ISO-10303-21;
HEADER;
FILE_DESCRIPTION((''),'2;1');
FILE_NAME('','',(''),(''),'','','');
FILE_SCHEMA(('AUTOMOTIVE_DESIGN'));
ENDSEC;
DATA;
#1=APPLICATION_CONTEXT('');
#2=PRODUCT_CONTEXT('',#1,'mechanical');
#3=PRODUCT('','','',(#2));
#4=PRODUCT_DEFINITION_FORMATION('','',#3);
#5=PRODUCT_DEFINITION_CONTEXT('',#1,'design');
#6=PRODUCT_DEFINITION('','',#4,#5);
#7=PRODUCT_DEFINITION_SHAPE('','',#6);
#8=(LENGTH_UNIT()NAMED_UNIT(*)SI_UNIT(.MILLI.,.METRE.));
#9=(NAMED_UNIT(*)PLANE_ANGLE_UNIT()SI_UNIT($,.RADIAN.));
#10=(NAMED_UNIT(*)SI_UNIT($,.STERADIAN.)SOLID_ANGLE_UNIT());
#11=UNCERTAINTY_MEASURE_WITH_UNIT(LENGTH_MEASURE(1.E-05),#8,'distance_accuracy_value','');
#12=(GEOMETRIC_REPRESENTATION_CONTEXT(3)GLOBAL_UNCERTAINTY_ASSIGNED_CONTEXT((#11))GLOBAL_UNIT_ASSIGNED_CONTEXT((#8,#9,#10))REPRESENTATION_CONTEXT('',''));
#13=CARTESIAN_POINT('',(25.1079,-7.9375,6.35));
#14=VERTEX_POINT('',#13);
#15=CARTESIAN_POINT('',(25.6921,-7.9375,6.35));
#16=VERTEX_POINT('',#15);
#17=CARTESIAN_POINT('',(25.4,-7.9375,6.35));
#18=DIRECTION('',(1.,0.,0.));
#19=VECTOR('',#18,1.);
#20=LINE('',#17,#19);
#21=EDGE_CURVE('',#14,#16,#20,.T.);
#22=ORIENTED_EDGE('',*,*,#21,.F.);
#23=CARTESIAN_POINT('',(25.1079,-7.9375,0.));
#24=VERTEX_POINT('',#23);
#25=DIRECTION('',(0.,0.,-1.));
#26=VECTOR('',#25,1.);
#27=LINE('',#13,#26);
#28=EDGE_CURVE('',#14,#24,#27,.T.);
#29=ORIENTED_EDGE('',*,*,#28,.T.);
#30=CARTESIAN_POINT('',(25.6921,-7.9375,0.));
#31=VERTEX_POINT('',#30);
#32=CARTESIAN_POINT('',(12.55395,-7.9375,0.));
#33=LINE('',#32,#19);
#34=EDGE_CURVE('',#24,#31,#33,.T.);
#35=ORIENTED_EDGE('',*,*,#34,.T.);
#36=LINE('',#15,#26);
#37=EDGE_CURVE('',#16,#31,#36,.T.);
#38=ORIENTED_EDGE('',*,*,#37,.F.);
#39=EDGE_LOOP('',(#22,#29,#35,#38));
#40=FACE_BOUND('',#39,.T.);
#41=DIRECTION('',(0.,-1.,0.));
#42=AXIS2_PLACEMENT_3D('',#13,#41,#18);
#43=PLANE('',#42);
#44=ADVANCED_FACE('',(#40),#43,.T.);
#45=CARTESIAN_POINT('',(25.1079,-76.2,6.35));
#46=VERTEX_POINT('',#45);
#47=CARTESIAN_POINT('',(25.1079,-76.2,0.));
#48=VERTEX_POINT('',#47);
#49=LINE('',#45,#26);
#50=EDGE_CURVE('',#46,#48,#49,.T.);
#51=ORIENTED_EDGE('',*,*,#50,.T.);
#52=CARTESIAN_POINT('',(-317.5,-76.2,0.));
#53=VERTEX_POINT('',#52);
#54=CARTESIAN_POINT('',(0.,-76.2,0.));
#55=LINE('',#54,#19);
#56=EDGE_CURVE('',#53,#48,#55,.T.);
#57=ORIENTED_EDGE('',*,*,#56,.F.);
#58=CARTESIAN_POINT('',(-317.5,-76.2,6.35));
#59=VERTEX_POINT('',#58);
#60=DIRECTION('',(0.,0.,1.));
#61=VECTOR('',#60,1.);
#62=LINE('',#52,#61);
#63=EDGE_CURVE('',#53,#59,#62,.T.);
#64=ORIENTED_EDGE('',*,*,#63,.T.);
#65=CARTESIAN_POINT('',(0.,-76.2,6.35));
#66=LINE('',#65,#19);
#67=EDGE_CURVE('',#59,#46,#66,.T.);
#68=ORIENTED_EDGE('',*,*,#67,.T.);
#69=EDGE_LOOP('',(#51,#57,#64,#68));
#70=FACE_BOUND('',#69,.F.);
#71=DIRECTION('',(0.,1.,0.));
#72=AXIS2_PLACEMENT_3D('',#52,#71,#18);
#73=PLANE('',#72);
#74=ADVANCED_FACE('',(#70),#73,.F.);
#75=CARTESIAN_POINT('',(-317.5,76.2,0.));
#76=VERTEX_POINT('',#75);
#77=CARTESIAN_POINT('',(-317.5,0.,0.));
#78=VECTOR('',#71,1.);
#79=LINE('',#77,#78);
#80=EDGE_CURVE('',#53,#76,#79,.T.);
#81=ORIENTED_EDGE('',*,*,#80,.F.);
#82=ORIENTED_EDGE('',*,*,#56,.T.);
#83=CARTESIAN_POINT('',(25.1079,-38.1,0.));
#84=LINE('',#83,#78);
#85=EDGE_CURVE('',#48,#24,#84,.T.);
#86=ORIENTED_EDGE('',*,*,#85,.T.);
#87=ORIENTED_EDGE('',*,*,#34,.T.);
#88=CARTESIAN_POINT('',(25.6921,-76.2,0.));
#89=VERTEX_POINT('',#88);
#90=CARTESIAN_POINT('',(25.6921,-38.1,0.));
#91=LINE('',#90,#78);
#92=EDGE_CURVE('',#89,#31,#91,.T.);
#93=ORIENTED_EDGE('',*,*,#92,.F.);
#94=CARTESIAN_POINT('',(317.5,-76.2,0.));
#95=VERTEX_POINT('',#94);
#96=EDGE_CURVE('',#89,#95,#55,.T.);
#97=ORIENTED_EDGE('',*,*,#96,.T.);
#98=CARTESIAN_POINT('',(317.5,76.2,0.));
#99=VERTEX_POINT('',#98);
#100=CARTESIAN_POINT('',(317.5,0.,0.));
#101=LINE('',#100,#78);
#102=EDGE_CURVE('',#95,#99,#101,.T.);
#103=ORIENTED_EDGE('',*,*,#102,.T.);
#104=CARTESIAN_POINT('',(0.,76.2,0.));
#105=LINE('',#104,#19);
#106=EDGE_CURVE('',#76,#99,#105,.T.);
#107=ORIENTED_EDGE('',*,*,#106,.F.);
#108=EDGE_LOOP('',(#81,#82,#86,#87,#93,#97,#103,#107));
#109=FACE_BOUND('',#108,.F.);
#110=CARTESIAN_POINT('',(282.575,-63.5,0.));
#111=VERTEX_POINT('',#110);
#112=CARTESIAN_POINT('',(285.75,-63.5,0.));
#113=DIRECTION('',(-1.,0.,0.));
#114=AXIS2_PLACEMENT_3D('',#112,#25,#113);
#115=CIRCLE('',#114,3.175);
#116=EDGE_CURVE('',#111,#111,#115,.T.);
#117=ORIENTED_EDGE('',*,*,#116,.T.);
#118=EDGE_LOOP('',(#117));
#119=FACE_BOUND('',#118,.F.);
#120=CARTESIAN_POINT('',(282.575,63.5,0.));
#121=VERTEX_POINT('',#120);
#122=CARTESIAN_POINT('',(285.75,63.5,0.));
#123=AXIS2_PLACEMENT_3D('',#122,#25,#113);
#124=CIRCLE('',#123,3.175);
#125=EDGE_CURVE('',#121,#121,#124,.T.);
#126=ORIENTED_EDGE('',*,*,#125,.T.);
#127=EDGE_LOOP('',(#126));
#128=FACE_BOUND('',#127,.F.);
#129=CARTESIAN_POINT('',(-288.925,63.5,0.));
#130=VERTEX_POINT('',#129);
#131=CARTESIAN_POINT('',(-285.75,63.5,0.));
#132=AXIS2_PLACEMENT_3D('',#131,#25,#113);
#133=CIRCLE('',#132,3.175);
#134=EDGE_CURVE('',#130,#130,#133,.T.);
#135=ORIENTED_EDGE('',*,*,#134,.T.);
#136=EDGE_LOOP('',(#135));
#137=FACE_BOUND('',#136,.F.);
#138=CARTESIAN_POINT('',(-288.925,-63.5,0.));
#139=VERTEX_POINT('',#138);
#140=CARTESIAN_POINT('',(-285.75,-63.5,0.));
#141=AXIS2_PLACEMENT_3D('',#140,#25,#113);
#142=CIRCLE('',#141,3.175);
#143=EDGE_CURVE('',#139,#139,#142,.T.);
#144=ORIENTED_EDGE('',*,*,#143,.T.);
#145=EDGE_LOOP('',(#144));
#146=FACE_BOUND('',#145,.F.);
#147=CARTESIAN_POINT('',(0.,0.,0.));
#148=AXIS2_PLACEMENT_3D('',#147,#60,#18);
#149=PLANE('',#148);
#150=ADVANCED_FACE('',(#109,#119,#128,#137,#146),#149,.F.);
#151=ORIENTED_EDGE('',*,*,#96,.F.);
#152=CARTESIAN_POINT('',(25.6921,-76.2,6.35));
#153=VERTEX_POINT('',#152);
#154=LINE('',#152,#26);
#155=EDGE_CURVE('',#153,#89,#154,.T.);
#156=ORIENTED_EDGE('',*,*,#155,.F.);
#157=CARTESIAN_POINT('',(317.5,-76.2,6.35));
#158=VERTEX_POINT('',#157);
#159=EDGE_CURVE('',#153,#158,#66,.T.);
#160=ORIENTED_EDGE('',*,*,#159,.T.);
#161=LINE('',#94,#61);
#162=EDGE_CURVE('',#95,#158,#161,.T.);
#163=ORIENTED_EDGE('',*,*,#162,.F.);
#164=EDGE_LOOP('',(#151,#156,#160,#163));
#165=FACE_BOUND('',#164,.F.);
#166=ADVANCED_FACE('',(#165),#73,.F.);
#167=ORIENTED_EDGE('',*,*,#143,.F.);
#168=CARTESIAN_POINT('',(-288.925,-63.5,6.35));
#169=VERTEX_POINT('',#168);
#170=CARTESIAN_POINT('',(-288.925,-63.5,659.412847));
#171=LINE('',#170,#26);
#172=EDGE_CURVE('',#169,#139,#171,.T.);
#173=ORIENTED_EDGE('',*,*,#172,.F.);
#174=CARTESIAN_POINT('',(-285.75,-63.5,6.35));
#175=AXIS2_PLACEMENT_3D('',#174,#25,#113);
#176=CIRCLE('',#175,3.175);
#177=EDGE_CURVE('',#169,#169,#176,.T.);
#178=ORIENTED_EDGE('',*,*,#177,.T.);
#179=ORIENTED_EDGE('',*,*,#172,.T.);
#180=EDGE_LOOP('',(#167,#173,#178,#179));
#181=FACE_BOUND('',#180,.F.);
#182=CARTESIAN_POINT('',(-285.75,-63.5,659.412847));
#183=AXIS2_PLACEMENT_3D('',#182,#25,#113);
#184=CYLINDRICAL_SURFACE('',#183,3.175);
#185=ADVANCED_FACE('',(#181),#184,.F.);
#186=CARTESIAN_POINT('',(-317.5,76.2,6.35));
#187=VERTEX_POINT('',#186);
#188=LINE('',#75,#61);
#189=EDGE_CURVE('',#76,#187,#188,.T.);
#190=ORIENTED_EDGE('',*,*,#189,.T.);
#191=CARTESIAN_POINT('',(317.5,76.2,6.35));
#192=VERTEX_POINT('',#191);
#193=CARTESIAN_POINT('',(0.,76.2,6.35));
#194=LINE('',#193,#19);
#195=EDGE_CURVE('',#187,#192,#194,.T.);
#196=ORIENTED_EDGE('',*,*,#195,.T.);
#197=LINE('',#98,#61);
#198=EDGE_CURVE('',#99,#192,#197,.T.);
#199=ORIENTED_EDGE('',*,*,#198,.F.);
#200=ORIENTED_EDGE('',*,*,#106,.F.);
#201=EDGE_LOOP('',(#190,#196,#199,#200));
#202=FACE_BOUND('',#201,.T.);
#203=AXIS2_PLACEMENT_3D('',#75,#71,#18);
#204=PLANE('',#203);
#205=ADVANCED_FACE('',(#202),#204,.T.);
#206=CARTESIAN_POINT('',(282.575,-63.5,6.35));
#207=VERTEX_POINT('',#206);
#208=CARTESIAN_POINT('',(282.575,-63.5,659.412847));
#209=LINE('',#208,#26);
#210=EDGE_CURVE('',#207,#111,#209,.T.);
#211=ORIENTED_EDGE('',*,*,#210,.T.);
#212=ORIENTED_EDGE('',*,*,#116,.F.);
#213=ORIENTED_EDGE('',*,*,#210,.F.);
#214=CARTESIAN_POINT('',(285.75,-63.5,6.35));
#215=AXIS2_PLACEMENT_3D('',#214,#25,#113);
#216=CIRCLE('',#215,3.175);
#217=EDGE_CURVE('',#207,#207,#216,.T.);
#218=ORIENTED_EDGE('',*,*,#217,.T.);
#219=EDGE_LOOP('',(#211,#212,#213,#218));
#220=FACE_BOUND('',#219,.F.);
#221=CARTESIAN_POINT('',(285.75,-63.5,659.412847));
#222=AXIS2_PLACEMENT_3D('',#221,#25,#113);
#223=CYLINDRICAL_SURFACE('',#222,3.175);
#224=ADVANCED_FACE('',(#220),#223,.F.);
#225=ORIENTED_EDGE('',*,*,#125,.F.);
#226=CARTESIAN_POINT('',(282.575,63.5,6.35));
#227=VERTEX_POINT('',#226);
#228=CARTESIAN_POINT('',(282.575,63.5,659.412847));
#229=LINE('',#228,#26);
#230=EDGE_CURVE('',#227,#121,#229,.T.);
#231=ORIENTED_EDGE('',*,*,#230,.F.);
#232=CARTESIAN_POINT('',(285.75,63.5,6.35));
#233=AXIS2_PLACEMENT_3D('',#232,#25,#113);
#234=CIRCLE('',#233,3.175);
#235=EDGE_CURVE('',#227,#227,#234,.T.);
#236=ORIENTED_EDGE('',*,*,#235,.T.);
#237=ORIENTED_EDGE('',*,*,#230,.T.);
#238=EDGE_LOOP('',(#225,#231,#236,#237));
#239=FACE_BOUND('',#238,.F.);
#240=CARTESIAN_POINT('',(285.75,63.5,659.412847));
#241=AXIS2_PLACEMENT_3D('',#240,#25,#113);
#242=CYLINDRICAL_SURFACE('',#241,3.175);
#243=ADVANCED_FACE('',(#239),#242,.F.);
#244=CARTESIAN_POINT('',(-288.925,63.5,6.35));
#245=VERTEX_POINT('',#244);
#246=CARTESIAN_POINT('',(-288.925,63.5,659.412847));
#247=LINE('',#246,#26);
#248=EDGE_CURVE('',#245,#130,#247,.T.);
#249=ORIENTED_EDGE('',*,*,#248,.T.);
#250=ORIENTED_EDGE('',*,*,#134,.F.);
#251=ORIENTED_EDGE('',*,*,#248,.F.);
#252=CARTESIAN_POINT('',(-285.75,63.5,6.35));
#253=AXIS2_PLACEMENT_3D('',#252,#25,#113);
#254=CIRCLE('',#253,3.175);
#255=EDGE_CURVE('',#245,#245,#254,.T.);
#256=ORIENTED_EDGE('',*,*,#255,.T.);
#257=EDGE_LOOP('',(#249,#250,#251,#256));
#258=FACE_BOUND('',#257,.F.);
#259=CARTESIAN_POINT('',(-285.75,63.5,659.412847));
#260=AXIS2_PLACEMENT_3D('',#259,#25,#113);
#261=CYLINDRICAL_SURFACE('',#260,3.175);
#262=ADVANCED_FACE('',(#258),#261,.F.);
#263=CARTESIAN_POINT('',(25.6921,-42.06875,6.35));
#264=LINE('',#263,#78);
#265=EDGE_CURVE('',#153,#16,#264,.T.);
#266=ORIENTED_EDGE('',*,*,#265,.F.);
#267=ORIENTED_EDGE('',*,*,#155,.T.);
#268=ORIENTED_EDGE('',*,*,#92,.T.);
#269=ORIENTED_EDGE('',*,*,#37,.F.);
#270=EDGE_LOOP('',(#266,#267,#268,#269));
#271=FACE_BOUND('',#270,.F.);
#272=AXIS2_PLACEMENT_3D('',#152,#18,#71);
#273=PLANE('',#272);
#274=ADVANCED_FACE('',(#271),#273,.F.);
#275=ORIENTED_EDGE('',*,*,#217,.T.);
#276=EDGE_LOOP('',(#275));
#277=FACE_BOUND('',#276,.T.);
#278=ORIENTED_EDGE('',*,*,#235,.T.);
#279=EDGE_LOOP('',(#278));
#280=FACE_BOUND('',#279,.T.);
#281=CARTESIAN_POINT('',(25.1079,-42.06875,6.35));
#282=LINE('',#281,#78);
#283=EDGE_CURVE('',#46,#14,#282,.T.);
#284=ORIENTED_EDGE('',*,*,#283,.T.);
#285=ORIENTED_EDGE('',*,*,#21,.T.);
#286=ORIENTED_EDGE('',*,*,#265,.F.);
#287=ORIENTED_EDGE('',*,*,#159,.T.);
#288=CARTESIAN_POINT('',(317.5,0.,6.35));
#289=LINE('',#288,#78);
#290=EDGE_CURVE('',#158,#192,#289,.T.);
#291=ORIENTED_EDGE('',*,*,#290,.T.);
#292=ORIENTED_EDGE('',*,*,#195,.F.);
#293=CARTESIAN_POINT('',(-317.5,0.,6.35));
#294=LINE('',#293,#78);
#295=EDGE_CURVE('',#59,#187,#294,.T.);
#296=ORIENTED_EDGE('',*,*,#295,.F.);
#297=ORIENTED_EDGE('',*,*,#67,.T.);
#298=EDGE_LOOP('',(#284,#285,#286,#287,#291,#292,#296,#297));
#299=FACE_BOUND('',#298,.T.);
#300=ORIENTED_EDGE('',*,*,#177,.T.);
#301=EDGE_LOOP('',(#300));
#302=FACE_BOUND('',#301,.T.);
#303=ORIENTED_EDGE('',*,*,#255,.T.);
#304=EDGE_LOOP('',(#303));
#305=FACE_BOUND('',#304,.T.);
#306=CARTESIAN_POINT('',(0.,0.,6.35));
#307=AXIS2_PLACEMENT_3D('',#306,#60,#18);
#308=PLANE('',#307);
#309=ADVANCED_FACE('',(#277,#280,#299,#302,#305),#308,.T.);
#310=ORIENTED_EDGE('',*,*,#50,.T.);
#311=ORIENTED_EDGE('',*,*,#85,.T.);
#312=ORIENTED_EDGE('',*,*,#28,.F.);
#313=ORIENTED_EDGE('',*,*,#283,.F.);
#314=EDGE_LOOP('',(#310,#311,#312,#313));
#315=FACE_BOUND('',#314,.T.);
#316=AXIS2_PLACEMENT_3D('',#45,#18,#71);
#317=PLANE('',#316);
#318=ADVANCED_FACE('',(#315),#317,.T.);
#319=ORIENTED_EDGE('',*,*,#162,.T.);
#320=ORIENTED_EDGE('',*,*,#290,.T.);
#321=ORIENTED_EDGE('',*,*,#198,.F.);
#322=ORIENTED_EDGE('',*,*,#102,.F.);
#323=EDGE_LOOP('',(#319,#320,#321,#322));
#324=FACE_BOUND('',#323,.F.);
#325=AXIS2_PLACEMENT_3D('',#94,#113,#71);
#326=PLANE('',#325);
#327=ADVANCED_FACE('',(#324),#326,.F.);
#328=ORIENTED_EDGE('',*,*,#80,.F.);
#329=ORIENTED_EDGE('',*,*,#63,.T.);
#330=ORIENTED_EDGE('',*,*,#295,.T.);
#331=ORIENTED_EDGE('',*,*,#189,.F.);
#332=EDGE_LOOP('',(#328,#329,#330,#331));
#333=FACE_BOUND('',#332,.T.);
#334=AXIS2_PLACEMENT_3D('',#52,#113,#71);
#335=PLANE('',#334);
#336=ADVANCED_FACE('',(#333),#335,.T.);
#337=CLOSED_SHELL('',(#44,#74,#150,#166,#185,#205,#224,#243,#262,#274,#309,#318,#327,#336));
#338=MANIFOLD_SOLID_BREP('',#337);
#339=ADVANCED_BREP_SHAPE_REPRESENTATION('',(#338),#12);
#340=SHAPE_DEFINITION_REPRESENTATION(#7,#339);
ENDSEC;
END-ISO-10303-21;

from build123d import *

# Parameters (mm, degrees)
F0_W     = 635
F0_H     = 152.4
F1_DEPTH = 6.35
F3_D     = 6.35
F4_W     = 0.5842
F4_H     = 68.2625
F5_DEPTH = 25.4


with BuildPart() as f1:
    # F0 (on Top) → F1 (new body)
    with BuildSketch(Plane.XY):
        Rectangle(F0_W, F0_H)
    extrude(amount=F1_DEPTH)

    # F3 (through all)
    with Locations(Plane.XY.offset(6.35)):
        with Locations((-285.75, 63.5), (-285.75, -63.5), (285.75, -63.5), (285.75, 63.5)):
            Hole(F3_D / 2)

    # F4 (on face) → F5 (cut)
    with BuildSketch(Plane.XY.offset(6.35)):
        with Locations((25.4, -42.06875)):
            Rectangle(F4_W, F4_H)
    extrude(amount=-F5_DEPTH, mode=Mode.SUBTRACT)


solid = f1.part
